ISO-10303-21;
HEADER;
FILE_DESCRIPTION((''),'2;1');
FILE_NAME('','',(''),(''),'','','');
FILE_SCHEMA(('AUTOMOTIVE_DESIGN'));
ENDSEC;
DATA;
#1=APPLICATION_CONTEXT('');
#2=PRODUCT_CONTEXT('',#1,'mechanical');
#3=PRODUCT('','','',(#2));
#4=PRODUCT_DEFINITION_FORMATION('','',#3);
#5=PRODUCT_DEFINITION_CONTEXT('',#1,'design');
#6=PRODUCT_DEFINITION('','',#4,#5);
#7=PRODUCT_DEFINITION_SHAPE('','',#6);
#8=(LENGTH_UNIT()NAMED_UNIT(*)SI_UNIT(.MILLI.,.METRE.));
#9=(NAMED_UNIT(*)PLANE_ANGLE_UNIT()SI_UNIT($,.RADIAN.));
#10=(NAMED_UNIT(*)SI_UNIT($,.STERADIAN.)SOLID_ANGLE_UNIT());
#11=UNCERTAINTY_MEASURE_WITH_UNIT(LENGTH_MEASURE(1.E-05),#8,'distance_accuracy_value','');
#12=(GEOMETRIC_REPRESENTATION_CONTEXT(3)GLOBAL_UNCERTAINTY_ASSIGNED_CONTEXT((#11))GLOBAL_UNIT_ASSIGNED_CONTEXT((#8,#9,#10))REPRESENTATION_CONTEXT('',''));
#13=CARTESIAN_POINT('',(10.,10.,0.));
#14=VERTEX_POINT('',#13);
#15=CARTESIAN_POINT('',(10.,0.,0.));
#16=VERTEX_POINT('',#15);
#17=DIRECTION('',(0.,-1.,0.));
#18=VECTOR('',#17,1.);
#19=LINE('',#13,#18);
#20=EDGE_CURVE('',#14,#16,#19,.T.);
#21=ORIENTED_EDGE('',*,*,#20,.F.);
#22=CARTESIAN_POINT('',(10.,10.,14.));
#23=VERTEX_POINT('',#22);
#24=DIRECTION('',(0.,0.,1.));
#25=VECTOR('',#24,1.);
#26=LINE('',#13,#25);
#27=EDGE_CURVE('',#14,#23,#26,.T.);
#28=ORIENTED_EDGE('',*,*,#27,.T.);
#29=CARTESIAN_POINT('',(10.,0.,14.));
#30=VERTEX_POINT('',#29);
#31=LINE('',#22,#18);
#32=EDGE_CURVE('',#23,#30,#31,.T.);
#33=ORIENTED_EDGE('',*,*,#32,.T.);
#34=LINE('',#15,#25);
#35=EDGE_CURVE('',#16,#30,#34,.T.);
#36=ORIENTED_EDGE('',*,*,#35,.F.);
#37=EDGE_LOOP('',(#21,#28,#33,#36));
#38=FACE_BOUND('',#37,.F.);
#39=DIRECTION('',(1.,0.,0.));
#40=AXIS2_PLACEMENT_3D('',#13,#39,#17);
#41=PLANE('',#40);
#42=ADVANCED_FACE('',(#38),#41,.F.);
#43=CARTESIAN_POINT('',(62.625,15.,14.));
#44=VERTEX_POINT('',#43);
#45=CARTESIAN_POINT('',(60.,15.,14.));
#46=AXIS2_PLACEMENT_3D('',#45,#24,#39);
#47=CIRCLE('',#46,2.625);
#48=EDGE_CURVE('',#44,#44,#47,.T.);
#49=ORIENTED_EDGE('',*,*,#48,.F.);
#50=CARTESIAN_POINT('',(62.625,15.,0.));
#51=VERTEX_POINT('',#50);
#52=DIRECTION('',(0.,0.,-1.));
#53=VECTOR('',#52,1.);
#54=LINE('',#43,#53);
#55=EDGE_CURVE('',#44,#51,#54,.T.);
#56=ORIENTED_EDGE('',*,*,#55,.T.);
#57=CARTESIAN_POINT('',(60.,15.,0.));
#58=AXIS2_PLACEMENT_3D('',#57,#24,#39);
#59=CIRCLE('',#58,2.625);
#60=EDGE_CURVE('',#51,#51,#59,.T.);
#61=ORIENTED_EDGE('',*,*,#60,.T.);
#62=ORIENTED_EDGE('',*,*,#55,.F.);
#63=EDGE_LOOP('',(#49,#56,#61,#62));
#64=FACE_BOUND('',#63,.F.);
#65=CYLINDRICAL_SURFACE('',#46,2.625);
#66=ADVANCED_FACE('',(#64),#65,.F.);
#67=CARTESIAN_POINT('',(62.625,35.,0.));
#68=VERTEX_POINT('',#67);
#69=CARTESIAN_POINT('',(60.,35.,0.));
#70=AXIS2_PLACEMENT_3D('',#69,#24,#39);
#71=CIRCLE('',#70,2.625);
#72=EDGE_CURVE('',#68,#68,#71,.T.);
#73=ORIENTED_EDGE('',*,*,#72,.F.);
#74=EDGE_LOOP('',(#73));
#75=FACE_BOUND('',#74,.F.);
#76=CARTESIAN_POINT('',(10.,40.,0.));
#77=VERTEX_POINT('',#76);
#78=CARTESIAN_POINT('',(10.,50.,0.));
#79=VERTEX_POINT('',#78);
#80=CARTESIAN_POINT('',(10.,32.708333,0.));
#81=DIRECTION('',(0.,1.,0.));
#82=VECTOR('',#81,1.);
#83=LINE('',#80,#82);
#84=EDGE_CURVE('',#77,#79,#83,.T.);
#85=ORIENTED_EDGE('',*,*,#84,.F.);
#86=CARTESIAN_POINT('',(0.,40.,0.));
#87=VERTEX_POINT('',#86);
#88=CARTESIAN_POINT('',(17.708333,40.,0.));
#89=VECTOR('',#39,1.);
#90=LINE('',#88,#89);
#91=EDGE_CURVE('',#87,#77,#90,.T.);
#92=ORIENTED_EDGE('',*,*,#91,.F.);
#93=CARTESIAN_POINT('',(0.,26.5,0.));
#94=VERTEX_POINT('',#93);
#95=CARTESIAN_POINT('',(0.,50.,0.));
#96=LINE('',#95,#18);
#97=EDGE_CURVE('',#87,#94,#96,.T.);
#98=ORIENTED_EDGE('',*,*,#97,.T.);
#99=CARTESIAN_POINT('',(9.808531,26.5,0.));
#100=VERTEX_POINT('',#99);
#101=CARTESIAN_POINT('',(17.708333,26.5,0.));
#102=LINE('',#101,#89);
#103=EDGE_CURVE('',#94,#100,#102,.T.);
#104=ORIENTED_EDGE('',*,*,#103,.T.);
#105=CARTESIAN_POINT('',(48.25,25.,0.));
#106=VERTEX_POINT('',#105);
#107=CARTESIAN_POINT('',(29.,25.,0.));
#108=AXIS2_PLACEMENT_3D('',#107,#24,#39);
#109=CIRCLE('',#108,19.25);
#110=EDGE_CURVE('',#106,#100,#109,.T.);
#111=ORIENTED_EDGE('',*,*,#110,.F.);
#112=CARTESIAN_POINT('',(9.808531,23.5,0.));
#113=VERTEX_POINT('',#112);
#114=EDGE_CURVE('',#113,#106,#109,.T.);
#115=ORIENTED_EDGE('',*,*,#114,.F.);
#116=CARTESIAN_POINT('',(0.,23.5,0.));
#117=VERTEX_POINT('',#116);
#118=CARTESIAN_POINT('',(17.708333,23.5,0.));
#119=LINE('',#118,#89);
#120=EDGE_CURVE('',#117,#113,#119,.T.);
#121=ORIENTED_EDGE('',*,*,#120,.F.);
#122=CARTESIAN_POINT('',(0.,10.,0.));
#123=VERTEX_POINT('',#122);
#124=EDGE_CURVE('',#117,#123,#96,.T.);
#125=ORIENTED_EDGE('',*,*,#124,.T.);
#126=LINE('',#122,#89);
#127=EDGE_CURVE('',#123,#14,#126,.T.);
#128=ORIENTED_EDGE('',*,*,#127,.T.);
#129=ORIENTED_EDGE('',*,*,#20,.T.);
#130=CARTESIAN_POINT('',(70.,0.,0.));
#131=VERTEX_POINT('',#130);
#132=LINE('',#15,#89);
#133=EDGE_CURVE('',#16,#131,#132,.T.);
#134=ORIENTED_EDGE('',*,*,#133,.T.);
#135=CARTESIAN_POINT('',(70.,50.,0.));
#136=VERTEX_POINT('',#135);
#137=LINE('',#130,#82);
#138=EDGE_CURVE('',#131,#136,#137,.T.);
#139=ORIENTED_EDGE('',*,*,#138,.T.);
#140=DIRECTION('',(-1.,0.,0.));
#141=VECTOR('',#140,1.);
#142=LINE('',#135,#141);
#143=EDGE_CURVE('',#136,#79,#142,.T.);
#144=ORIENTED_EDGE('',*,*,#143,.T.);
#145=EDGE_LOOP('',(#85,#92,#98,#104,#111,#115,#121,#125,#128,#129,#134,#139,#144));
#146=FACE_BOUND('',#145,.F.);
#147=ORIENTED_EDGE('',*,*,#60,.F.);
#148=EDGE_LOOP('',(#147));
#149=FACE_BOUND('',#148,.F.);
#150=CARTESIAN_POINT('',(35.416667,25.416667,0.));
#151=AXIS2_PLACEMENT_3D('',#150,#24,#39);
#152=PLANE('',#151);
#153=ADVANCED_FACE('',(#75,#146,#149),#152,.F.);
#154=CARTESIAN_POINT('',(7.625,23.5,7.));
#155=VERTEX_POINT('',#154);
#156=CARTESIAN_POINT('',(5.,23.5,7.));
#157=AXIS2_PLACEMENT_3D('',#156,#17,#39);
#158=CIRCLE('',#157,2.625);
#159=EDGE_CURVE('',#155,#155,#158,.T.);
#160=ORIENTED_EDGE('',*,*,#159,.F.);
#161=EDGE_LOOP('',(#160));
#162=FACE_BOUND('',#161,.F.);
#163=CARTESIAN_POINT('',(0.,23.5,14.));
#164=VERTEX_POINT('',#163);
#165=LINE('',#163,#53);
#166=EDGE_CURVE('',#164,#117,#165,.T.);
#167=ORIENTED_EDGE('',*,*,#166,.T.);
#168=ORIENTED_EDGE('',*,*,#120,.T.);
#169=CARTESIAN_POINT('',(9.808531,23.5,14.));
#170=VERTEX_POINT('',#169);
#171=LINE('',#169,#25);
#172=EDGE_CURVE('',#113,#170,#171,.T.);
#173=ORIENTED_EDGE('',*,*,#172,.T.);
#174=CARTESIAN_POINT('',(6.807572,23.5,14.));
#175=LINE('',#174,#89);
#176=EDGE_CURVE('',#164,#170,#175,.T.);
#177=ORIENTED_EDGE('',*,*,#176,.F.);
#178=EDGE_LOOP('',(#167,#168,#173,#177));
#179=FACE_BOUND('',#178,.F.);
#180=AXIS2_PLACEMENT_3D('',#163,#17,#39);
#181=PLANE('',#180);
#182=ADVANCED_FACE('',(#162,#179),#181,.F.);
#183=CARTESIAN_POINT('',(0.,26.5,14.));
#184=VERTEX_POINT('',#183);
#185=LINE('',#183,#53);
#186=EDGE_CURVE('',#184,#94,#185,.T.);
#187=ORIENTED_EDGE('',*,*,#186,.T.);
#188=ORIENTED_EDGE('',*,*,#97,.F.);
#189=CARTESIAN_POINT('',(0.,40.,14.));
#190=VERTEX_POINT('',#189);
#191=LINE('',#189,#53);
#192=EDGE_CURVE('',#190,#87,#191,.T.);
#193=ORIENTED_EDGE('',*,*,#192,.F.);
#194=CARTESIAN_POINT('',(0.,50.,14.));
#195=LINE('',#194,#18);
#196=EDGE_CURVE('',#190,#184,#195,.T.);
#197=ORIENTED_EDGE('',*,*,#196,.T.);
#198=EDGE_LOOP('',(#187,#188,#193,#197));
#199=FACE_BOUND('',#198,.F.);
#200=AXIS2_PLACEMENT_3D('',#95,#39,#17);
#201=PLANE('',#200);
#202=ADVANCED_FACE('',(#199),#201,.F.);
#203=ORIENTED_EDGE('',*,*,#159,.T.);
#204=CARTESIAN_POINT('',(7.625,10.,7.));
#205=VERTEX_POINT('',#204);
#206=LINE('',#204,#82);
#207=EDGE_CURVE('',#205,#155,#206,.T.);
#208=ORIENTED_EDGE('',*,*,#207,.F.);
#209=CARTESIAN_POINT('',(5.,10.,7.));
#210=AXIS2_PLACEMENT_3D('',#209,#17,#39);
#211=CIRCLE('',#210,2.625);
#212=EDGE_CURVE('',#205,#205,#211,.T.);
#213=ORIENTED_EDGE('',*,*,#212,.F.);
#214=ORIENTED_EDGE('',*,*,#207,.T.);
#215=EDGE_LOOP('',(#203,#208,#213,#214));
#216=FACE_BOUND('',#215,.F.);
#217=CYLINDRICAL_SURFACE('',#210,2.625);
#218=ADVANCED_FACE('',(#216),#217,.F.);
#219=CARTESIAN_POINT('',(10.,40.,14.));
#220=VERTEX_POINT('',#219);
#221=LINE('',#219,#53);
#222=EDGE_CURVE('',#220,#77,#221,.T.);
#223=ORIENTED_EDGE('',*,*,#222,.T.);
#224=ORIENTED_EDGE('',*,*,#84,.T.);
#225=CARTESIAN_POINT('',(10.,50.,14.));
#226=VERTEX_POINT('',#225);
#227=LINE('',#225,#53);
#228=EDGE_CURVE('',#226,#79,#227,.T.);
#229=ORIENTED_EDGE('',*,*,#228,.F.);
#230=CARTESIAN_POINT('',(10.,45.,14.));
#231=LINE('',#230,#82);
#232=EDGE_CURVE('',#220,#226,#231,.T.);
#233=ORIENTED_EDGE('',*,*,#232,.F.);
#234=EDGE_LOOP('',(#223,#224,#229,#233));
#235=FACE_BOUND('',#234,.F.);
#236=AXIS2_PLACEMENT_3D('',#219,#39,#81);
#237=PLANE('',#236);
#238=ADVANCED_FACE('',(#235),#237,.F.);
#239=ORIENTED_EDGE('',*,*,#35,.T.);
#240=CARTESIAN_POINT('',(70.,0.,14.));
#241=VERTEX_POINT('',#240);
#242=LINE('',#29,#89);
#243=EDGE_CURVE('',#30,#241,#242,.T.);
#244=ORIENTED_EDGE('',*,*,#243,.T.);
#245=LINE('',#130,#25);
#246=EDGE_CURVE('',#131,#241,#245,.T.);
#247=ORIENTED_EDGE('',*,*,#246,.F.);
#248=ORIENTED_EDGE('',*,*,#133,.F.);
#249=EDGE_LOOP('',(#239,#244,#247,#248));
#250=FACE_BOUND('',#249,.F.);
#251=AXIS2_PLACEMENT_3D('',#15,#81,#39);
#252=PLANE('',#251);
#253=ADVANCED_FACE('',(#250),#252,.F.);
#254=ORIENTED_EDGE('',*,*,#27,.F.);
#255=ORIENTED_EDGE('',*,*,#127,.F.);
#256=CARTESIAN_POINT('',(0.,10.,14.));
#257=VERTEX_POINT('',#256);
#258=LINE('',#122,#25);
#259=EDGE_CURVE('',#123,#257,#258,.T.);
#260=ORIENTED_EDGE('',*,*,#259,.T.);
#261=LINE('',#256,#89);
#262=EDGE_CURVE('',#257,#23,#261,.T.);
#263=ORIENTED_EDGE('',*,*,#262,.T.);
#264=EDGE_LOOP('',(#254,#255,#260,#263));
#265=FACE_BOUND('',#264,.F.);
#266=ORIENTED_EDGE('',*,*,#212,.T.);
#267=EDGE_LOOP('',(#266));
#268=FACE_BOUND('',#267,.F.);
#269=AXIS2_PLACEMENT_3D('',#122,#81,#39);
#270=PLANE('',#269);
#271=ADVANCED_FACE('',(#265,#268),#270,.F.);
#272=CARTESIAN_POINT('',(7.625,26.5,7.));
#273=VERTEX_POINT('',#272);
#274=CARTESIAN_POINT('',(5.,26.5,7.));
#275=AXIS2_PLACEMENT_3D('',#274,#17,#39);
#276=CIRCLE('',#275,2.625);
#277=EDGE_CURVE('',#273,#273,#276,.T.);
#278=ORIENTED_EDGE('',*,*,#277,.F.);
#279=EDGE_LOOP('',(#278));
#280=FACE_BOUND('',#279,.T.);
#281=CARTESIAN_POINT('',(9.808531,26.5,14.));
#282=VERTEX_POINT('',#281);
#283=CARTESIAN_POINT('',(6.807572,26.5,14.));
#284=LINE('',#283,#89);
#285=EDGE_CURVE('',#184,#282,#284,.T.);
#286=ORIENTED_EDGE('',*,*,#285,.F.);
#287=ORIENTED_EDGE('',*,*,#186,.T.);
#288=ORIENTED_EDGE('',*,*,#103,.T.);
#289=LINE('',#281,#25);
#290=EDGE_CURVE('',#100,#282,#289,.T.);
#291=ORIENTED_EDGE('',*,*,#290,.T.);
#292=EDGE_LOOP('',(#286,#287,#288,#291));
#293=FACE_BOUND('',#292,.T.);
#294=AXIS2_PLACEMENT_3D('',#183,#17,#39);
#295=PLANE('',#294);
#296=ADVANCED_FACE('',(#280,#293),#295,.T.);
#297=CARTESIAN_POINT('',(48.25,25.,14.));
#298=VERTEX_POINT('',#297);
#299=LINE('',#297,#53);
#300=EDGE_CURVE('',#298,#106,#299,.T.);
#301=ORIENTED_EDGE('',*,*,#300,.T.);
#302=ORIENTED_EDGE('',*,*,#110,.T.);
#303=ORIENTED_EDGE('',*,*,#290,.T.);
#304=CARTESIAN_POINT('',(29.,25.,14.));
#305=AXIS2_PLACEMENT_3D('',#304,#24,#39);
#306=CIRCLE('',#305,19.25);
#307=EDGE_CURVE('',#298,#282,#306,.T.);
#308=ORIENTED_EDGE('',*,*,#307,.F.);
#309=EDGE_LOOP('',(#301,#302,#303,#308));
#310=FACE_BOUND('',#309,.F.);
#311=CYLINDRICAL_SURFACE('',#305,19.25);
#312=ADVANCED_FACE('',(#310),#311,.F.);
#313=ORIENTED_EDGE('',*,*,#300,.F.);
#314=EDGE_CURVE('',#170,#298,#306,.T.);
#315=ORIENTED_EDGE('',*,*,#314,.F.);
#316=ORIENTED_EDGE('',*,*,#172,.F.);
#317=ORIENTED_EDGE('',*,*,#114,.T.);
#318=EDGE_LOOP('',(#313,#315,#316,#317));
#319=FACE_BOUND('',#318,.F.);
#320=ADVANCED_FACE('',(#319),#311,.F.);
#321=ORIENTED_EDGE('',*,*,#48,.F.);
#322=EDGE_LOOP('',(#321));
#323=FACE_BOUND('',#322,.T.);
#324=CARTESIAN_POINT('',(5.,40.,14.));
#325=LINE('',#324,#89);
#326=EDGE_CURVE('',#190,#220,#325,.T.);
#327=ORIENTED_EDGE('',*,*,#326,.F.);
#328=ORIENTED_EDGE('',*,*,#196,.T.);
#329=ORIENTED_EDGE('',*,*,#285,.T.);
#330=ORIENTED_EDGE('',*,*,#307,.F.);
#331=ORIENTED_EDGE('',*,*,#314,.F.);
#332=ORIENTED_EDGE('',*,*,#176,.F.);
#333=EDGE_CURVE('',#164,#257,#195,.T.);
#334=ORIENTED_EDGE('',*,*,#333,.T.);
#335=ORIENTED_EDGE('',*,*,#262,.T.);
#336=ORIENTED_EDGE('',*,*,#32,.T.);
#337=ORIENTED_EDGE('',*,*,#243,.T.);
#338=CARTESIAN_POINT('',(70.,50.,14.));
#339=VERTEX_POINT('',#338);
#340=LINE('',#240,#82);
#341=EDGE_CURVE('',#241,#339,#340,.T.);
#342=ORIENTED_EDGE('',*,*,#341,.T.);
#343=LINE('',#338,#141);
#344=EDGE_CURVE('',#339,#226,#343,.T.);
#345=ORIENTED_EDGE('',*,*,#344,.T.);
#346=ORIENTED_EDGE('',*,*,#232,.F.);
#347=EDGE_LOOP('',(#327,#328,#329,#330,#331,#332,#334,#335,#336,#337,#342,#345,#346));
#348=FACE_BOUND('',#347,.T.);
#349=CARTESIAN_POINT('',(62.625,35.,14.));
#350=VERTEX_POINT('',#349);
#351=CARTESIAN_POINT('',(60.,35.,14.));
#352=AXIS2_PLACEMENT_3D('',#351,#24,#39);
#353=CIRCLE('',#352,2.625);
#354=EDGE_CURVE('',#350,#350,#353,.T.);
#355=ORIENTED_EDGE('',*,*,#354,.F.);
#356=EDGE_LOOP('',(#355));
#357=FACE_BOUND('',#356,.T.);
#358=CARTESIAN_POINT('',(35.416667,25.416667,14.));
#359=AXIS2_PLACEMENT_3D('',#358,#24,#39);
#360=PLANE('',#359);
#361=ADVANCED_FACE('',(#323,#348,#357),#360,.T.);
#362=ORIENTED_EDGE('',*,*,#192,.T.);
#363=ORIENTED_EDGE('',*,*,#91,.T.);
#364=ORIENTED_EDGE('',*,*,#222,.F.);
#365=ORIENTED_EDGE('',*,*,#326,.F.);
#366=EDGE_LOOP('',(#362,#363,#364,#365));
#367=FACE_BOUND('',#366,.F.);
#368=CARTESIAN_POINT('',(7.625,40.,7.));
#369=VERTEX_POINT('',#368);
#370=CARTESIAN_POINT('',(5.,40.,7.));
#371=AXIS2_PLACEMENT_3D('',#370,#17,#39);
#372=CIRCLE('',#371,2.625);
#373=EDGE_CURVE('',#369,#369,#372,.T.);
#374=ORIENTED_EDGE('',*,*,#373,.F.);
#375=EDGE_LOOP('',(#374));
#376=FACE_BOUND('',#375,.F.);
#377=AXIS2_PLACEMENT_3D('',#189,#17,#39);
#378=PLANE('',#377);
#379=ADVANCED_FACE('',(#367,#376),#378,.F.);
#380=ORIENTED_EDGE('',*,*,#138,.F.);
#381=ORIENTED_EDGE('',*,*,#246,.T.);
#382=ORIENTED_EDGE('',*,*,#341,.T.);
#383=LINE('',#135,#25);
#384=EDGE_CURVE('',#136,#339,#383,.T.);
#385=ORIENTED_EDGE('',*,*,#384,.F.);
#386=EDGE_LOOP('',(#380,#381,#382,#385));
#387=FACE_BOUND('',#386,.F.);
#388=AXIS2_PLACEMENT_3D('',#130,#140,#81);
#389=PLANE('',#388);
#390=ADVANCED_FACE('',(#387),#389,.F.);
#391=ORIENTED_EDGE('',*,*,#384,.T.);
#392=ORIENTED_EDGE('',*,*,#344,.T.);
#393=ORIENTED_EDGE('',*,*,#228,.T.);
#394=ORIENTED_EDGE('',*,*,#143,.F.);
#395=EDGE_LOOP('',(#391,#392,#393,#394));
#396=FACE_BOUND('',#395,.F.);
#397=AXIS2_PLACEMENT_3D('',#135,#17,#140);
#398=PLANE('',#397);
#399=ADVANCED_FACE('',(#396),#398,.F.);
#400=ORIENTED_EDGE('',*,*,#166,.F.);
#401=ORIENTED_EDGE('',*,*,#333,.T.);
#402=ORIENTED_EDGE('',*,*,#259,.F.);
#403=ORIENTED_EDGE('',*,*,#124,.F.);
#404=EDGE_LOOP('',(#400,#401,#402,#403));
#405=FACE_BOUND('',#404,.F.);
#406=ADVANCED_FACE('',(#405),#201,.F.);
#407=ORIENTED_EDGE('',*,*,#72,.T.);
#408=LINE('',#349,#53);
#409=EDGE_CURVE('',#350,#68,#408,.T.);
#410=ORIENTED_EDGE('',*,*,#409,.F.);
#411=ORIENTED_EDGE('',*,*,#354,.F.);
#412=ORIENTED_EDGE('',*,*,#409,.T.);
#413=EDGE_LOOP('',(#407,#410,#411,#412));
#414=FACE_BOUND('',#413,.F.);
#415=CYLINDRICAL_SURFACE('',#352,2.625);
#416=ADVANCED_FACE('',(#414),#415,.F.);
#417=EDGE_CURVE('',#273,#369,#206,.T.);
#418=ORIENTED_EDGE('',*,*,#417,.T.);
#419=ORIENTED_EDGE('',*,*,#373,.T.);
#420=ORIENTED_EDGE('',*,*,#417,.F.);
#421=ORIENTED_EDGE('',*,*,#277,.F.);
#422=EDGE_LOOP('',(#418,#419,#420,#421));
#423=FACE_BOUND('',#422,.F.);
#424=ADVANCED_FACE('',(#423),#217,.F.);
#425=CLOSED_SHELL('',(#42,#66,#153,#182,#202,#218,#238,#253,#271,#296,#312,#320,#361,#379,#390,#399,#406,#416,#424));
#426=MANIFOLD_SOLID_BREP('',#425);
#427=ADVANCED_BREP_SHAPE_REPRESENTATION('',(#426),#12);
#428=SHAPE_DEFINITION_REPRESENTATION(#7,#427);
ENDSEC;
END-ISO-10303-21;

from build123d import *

# Parameters (mm, degrees)
F1_DEPTH = 14
F2_R     = 19.25
F2_R_2   = 2.625
F2_W     = 10
F2_H     = 10
F3_DEPTH = 25
F4_W     = 13.615144
F4_H     = 3
F5_DEPTH = 25
F6_R     = 2.625
F7_DEPTH = 40.001


with BuildPart() as f1:
    # F0 (on Top) → F1 (new body)
    with BuildSketch(Plane.XY):
        Polygon((10, 10), (10, 0), (70, 0), (70, 50), (0, 50), (0, 10), align=None)
    extrude(amount=F1_DEPTH)

    # F2 (on face) → F3 (cut)
    with BuildSketch(Plane.XY.offset(14)):
        with Locations((29, 25)):
            Circle(F2_R)
        with Locations((60, 35)):
            Circle(F2_R_2)
        with Locations((60, 15)):
            Circle(F2_R_2)
        with Locations((5, 45)):
            Rectangle(F2_W, F2_H)
    extrude(amount=-F3_DEPTH, mode=Mode.SUBTRACT)

    # F4 (on face) → F5 (cut)
    with BuildSketch(Plane.XY.offset(14)):
        with Locations((6.807572, 25)):
            Rectangle(F4_W, F4_H)
    extrude(amount=-F5_DEPTH, mode=Mode.SUBTRACT)

    # F6 (on face) → F7 (cut, through all)
    with BuildSketch(Plane.XZ.offset(-10)):
        with Locations((5, 7)):
            Circle(F6_R)
    extrude(amount=-F7_DEPTH, mode=Mode.SUBTRACT)


solid = f1.part
